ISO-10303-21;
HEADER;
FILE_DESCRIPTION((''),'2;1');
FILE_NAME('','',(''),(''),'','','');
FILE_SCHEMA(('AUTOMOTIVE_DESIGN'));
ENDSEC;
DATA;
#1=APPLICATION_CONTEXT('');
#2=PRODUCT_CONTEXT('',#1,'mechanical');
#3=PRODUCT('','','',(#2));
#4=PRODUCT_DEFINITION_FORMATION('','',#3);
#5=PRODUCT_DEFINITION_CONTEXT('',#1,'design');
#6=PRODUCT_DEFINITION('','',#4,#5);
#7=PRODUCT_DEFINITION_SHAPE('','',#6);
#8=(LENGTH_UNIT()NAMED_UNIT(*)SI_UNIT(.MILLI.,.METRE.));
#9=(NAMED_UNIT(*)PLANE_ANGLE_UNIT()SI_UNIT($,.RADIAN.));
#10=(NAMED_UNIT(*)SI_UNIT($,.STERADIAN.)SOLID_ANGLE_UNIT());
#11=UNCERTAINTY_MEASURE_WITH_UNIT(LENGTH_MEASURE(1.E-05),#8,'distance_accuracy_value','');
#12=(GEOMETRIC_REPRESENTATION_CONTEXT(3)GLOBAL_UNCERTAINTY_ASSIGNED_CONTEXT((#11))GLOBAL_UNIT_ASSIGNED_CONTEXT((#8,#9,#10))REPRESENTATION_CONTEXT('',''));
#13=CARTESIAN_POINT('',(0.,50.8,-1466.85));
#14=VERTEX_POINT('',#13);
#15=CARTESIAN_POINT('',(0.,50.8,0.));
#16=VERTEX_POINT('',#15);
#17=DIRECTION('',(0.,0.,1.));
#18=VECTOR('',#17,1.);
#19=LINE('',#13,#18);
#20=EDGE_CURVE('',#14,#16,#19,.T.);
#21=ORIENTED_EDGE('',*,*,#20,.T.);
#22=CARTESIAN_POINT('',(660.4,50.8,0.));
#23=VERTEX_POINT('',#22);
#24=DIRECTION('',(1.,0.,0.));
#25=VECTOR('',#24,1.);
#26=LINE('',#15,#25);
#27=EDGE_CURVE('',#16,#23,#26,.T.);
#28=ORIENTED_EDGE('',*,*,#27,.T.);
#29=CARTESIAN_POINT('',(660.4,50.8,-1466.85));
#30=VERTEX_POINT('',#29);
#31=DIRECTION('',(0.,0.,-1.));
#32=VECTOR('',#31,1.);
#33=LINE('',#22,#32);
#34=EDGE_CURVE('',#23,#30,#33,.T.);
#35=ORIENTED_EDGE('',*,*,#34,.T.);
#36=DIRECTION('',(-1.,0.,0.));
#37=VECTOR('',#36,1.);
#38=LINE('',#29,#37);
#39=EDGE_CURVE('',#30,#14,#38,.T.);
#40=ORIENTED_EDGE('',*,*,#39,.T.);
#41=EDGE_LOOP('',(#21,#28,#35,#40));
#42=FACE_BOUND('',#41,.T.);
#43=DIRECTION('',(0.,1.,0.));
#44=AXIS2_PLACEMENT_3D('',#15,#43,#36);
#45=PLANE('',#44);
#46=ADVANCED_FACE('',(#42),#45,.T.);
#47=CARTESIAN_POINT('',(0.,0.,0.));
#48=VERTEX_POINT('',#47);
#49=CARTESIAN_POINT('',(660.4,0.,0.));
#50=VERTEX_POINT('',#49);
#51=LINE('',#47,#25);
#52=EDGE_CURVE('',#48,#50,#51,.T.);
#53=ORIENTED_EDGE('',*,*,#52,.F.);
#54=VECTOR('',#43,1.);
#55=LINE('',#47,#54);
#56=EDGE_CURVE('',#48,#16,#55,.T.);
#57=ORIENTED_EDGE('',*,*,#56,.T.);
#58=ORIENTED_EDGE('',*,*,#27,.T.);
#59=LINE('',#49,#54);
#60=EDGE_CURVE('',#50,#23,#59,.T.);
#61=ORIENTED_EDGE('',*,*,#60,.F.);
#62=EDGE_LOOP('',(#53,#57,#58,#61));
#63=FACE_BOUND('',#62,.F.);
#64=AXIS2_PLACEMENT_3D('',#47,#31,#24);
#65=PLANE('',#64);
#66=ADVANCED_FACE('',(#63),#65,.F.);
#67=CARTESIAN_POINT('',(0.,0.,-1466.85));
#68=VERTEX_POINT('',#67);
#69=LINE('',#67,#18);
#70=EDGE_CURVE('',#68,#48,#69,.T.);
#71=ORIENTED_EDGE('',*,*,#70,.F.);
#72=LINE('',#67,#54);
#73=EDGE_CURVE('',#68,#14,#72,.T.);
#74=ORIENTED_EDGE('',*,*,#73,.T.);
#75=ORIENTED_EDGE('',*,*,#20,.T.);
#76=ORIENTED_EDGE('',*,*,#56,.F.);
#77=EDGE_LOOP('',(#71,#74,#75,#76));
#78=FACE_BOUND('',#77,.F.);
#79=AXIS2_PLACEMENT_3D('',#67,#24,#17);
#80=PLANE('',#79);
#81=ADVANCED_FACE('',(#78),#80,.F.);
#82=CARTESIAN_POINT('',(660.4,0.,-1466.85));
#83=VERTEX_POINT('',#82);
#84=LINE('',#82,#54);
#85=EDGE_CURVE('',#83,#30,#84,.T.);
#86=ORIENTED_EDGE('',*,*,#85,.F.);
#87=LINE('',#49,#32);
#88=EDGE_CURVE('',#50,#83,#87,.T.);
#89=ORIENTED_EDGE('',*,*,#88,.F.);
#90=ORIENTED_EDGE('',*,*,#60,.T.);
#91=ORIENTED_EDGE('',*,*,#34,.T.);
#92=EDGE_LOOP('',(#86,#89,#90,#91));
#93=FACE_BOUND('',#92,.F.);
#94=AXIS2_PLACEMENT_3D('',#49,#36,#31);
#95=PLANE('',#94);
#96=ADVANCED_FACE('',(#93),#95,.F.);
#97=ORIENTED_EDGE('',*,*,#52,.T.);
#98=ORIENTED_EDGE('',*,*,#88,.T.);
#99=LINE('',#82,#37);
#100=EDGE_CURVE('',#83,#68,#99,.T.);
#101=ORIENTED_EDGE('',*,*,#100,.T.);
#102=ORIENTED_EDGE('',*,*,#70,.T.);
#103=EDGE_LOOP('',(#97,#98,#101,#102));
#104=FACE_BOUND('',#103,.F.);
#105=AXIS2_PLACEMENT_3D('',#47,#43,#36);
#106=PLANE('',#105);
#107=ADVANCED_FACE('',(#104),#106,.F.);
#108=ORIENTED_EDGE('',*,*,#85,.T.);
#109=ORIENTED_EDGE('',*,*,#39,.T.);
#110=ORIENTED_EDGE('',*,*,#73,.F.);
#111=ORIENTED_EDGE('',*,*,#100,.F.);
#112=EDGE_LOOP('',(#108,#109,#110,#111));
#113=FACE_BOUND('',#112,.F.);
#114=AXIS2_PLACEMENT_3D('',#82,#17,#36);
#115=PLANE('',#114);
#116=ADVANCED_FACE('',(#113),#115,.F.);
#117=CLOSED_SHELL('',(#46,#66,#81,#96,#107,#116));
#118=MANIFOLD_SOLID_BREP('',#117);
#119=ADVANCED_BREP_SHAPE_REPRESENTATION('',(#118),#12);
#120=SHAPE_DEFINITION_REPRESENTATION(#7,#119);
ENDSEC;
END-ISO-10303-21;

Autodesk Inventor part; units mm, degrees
ref_plane "YZ Plane" through (0, 0, 0) normal (1, 0, 0) x (0, 1, 0)
ref_plane "XZ Plane" through (0, 0, 0) normal (0, 1, 0) x (-1, 0, 0)
ref_plane "XY Plane" through (0, 0, 0) normal (0, 0, 1) x (1, 0, 0)
sketch "Sketch1" plane through (0, 0, 0) normal (0, 1, 0) x (-1, 0, 0)
  line L0 (0, 0) -> (-660.4, 0)
  line L1 (-660.4, 0) -> (-660.4, -1466.85)
  line L2 (-660.4, -1466.85) -> (0, -1466.85)
  line L3 (0, -1466.85) -> (0, 0)
  dimension "d0" = 660.4
  dimension "d1" = 1466.85
extrude "Extrusion1" add sketch "Sketch1" along normal blind 50.8
properties part number "Solor Cleaner - Solor Panal"
